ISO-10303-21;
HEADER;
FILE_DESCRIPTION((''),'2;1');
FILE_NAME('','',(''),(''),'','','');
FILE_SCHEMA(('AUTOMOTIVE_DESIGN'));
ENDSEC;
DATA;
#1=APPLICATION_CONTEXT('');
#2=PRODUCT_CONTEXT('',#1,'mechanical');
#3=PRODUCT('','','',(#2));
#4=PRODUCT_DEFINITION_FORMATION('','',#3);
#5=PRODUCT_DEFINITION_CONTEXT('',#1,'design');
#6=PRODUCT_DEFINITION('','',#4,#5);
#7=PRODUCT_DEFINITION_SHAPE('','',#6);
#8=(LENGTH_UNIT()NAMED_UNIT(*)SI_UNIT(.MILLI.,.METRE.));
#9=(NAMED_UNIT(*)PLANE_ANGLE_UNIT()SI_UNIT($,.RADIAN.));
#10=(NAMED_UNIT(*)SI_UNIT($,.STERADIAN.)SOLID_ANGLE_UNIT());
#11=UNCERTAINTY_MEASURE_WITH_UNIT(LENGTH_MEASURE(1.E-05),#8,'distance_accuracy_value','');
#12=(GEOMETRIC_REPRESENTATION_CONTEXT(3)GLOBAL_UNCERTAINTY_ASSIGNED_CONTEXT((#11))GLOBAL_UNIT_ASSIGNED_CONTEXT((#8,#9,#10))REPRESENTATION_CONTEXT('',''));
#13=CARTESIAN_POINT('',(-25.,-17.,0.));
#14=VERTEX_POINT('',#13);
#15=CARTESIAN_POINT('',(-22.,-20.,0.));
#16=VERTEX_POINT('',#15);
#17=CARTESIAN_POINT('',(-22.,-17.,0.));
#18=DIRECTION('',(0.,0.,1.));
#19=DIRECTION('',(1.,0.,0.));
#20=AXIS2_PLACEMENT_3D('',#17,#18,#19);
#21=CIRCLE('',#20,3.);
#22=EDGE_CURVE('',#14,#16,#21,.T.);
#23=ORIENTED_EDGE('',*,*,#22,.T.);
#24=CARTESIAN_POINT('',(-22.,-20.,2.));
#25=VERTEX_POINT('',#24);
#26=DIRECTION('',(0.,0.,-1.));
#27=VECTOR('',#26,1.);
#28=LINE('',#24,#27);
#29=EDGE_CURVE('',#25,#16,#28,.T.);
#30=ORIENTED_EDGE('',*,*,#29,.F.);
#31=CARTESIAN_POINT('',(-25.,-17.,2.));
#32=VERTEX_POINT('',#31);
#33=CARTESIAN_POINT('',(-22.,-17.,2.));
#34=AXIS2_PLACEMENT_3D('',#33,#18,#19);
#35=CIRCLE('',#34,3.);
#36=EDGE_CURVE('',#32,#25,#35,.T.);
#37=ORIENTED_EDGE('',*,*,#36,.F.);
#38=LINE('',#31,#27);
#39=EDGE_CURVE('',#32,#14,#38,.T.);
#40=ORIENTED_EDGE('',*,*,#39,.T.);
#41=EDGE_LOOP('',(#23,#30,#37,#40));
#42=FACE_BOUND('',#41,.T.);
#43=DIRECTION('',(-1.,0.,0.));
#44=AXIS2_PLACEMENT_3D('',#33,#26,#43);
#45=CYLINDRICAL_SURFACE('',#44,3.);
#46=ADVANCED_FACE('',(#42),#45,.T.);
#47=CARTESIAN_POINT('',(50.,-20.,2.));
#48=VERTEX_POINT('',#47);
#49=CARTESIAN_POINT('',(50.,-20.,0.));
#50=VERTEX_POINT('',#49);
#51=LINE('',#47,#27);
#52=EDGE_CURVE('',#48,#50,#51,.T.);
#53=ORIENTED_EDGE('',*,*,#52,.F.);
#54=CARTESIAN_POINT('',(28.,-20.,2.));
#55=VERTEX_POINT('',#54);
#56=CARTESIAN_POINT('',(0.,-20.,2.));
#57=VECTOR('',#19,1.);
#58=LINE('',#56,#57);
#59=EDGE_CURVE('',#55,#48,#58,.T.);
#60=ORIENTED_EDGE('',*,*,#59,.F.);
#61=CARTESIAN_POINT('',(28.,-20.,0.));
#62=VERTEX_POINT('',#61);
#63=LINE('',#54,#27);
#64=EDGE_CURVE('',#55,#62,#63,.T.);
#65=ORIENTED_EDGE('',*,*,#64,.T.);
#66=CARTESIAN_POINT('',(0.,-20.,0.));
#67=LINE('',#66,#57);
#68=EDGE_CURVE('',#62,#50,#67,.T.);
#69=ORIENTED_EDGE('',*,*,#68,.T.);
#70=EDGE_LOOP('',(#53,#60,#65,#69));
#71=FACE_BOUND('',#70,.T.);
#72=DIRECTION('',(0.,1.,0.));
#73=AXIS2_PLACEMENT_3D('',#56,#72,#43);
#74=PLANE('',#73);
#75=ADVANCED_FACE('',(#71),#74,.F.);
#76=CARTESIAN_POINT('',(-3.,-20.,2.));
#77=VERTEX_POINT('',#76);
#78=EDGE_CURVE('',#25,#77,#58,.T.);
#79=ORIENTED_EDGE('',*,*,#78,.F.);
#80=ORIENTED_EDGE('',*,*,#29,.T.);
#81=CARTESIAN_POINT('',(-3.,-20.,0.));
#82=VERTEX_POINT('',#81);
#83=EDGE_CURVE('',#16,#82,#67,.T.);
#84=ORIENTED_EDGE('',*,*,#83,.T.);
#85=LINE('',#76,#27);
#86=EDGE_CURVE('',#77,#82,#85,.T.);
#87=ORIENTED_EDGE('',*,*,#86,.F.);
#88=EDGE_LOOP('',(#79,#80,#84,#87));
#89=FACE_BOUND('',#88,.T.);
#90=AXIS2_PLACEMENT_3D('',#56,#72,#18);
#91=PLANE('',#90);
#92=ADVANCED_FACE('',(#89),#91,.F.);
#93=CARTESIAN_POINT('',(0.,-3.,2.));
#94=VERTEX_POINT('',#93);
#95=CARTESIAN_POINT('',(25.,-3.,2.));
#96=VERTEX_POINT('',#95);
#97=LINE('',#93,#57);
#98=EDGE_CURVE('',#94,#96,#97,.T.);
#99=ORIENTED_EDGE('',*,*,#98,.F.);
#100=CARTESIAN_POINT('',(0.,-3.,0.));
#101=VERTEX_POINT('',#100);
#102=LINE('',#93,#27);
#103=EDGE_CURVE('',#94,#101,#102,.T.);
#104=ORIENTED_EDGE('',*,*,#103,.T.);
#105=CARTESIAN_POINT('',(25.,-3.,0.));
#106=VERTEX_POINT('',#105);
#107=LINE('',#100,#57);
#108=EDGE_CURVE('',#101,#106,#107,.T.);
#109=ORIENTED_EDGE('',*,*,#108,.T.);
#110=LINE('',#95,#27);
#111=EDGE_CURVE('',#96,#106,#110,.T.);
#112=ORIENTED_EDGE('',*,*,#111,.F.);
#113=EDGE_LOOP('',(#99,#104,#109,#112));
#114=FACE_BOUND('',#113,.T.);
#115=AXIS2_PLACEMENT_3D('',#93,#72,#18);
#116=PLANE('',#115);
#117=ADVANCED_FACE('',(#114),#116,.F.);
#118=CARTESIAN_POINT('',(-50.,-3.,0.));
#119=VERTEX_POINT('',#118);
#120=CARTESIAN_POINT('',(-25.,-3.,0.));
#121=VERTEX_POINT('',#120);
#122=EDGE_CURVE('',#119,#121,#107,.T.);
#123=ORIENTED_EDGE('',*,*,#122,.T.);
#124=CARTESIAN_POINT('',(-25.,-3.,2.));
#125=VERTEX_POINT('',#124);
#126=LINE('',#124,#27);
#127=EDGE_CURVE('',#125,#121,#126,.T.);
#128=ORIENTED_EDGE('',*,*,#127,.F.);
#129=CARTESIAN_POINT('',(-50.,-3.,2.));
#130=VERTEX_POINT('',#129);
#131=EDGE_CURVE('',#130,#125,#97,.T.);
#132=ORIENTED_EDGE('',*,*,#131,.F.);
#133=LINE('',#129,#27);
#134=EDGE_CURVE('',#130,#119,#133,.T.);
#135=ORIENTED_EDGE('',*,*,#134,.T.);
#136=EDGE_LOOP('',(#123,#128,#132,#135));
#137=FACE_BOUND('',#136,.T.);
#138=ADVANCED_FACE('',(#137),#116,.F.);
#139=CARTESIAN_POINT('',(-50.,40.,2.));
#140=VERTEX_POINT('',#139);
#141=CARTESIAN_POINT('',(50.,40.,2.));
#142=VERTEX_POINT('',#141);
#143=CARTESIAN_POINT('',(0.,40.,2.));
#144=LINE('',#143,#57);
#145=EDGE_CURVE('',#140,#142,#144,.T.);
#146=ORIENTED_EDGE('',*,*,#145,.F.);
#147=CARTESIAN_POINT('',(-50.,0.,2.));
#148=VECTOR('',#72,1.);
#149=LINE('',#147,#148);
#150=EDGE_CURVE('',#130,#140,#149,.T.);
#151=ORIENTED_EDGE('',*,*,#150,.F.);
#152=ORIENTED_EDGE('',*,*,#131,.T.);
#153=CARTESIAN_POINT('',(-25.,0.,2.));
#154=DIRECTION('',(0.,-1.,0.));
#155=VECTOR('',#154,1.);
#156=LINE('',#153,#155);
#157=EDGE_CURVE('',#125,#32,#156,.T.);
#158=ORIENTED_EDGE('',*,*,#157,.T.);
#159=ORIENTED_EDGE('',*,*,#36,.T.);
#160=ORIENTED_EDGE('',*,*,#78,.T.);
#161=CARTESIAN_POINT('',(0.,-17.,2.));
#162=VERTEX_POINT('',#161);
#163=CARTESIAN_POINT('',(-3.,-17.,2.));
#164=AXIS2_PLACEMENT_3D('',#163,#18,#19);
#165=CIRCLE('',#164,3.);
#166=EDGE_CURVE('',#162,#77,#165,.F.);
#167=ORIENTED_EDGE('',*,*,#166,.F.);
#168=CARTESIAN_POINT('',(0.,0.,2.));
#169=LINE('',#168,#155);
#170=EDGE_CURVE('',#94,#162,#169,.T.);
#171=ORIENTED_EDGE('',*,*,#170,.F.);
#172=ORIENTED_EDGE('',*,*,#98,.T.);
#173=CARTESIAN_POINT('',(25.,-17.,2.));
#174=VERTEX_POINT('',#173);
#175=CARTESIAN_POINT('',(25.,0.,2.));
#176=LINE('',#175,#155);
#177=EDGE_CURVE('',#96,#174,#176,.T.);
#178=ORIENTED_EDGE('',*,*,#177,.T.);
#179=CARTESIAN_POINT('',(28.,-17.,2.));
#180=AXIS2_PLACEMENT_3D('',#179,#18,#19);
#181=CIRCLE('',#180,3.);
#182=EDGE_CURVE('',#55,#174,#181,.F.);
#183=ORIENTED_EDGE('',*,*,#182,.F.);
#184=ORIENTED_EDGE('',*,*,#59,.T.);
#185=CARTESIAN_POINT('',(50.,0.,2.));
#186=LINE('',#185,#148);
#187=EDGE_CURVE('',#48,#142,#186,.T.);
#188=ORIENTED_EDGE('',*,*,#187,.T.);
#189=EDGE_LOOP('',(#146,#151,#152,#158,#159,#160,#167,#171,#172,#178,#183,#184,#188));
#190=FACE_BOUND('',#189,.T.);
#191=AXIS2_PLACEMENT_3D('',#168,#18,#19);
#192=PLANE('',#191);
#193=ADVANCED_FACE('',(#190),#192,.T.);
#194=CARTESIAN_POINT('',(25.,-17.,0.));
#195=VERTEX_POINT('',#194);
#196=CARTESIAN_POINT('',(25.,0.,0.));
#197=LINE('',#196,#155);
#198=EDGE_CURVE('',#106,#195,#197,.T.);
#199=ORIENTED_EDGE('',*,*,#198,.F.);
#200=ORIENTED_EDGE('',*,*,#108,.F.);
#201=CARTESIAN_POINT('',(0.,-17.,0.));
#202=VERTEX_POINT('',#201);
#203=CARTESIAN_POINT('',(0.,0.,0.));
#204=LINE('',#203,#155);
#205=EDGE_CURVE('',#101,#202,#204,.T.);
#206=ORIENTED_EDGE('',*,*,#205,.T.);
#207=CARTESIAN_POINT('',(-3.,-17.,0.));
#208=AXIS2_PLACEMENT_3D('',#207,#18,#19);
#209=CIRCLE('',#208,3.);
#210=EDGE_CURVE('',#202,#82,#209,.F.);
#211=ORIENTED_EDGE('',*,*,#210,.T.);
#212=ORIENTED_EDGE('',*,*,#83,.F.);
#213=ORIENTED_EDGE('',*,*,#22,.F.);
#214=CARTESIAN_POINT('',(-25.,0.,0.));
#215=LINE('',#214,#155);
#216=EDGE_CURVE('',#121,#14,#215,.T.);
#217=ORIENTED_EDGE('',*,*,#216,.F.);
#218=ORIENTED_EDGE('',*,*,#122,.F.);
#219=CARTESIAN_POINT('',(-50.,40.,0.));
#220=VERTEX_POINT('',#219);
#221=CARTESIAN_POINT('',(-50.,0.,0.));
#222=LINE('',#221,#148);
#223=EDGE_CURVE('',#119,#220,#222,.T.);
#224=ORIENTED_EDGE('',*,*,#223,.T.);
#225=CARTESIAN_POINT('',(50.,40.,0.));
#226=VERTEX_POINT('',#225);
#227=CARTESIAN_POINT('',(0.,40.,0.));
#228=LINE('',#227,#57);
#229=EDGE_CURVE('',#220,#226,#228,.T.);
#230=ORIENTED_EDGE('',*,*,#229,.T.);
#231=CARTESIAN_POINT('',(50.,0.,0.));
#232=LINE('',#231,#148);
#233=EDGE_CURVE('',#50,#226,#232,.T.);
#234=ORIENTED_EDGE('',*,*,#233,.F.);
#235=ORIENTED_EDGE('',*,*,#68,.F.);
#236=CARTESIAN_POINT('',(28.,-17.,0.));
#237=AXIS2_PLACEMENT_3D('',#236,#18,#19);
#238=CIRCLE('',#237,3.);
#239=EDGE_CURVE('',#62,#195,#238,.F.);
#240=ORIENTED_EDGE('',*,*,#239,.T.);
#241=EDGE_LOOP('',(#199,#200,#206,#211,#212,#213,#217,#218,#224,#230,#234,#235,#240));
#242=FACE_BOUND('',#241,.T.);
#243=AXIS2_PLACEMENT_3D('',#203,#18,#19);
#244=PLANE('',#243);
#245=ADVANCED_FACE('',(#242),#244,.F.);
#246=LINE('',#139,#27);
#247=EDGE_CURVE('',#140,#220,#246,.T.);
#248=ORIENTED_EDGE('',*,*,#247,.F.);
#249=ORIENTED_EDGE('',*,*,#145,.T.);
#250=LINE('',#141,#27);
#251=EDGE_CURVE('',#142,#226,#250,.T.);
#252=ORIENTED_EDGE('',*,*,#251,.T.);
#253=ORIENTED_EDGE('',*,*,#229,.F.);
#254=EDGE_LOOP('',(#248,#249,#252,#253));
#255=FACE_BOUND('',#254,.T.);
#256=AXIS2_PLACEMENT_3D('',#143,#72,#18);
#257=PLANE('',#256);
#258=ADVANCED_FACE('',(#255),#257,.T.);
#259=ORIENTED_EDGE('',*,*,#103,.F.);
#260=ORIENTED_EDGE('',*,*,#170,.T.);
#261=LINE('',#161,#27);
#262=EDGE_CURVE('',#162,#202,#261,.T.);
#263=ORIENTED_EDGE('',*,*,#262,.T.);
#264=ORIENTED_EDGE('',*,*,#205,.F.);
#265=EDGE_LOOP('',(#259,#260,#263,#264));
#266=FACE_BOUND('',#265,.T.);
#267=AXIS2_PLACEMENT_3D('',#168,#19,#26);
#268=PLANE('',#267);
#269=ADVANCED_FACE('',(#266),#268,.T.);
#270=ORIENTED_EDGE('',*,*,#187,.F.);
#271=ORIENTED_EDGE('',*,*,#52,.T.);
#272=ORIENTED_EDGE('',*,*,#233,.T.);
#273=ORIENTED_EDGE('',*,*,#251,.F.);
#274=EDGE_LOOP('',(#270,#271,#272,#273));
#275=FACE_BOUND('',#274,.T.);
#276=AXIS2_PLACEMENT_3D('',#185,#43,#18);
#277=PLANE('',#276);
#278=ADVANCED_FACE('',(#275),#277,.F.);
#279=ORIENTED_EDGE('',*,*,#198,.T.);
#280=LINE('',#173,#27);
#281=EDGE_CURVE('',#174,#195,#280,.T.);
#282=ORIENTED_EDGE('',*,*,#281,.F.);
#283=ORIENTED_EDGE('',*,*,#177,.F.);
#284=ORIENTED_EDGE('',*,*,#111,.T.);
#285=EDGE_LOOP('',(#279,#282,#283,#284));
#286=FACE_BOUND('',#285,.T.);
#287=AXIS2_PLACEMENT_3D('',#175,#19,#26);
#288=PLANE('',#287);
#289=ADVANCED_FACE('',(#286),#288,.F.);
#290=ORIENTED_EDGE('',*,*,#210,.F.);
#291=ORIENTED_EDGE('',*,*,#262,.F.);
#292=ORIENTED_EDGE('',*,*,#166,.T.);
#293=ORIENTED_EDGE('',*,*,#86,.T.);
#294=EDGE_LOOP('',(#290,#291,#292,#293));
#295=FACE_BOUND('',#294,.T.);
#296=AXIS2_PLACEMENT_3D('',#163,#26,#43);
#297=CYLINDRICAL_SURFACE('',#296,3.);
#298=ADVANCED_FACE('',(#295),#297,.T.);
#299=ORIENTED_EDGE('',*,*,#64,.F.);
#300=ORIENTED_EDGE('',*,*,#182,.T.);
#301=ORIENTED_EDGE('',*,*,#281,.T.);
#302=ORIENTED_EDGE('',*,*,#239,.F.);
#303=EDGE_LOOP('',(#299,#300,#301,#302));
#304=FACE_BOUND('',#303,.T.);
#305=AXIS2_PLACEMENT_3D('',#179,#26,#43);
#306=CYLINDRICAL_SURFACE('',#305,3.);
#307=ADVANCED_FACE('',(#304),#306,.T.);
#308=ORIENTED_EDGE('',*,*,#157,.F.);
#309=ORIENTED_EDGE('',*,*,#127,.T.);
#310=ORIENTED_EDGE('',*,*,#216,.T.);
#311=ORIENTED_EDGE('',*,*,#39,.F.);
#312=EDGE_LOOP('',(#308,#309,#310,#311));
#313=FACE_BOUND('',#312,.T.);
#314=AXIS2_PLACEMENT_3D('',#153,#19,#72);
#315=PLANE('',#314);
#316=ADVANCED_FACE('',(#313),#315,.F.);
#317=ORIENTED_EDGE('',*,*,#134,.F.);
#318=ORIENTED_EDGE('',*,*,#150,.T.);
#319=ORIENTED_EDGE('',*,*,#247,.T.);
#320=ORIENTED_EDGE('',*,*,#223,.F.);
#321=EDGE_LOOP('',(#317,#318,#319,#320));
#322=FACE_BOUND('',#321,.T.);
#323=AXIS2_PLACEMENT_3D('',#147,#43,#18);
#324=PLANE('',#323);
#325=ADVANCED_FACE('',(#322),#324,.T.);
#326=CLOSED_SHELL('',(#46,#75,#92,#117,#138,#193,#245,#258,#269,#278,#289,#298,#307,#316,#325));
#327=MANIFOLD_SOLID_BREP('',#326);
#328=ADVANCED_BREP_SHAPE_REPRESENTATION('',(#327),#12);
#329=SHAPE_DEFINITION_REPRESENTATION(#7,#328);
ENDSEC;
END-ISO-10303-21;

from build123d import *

# Parameters (mm, degrees)
BOSS_EXTRUDE1_DEPTH = 2


with BuildPart() as part:
    # Sketch1 → Boss-Extrude1 (new body)
    with BuildSketch(Plane.XY):
        with BuildLine():
            Line((0, -3), (25, -3))
            Line((25, -3), (25, -17))
            ThreePointArc((25, -17), (25.878679656, -19.121320344), (28, -20))
            Line((28, -20), (50, -20))
            Line((50, -20), (50, 40))
            Line((50, 40), (-50, 40))
            Line((-50, 40), (-50, -3))
            Line((-50, -3), (-25, -3))
            Line((-25, -3), (-25, -17))
            ThreePointArc((-25, -17), (-24.121320344, -19.121320344), (-22, -20))
            Line((-22, -20), (-3, -20))
            ThreePointArc((-3, -20), (-0.878679656, -19.121320344), (0, -17))
            Line((0, -17), (0, -3))
        make_face()
    extrude(amount=BOSS_EXTRUDE1_DEPTH)


solid = part.part
